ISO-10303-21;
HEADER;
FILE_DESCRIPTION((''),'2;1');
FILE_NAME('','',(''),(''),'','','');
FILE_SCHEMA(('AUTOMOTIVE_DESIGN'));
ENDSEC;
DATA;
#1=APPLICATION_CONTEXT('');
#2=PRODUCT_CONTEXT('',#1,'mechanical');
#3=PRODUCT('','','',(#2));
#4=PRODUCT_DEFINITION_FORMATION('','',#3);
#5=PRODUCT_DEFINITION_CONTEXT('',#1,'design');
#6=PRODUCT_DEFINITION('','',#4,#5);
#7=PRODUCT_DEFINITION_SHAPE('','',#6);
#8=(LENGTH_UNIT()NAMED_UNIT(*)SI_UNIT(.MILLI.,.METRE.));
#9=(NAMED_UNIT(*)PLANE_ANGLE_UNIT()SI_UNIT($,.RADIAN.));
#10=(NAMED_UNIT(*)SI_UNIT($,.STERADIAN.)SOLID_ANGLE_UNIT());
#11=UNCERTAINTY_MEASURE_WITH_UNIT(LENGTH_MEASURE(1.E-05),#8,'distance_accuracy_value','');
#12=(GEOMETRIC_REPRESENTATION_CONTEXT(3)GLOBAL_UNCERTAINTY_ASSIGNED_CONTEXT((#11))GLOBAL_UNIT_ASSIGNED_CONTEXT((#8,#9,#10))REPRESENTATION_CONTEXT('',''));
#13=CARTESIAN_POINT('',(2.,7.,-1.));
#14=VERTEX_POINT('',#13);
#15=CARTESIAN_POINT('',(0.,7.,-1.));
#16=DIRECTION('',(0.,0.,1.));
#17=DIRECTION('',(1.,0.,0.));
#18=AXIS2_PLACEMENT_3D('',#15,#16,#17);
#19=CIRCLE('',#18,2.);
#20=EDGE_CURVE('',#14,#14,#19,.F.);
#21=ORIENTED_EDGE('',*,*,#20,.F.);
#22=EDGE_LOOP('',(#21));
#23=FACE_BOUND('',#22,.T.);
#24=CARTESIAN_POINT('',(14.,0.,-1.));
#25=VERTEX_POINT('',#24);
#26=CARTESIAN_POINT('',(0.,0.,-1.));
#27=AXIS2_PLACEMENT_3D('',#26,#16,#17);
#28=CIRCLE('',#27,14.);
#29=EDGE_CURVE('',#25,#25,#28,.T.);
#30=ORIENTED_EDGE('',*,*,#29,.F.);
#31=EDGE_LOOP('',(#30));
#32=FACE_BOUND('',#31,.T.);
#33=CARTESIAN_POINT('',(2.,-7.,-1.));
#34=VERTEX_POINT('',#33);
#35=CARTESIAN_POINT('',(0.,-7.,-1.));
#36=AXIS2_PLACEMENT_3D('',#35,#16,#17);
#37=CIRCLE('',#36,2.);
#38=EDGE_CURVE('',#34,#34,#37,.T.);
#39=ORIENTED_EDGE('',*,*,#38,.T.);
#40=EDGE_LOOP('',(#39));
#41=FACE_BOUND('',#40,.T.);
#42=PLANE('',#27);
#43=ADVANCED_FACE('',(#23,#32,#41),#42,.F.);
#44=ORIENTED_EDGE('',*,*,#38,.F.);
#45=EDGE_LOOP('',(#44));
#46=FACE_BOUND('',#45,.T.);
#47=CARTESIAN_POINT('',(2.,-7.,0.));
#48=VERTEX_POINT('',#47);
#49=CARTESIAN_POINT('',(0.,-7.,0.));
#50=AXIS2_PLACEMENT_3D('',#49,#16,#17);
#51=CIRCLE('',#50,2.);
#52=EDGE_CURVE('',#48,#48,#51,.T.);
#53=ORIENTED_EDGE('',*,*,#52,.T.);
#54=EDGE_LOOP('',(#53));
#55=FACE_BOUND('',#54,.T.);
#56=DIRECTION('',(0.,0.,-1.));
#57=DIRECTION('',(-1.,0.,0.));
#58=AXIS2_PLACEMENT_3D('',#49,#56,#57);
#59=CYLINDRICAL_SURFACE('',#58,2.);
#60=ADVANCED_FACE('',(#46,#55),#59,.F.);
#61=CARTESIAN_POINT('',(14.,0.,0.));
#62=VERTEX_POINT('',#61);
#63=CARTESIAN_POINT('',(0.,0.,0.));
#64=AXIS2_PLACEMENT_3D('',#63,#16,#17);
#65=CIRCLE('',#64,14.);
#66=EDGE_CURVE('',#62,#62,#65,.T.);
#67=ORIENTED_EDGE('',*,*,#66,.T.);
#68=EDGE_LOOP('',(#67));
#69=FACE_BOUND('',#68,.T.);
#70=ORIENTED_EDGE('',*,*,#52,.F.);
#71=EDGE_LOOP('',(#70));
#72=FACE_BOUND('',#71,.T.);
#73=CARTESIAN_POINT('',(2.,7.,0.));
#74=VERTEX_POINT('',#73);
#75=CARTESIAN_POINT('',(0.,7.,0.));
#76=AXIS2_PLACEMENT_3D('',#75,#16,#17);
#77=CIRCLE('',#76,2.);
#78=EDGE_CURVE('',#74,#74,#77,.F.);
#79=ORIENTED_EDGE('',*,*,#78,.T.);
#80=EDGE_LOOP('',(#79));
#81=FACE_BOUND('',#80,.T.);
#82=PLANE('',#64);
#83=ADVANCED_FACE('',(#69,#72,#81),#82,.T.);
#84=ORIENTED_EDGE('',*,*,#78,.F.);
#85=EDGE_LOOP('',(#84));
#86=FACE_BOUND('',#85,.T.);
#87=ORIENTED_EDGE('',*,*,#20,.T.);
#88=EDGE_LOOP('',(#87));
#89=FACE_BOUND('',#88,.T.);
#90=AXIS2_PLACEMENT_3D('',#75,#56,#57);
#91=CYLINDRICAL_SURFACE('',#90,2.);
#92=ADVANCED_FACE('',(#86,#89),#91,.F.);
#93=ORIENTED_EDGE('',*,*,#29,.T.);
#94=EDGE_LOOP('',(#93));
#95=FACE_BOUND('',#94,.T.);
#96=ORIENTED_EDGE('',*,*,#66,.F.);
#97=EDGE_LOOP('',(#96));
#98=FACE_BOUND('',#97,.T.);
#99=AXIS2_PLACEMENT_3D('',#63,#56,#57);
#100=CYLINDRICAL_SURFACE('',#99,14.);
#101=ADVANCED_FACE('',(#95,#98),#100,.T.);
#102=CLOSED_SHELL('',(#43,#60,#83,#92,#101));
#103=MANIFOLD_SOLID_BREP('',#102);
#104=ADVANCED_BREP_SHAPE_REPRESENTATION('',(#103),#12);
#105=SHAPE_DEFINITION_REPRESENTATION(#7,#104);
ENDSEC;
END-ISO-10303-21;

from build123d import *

# Parameters (mm, degrees)
SZKIC1_R   = 14
SZKIC1_R_2 = 2


with BuildPart() as part:
    # Wyciągnięcie po ścieżce3: sweep along a path in Szkic3
    with BuildLine(Plane(origin=(0, 0, 0), x_dir=(0, 0, -1), z_dir=(1, 0, 0))) as wyci_gni_cie_po_cie_ce3_path:
        Line((0, 0), (1, 0))
    # Szkic1 → Wyciągnięcie po ścieżce3 (sweep)
    with BuildSketch(Plane.XY):
        Circle(SZKIC1_R)
        with Locations((0, 7)):
            Circle(SZKIC1_R_2, mode=Mode.SUBTRACT)
        with Locations((0, -7)):
            Circle(SZKIC1_R_2, mode=Mode.SUBTRACT)
    sweep(path=wyci_gni_cie_po_cie_ce3_path.line)


solid = part.part
